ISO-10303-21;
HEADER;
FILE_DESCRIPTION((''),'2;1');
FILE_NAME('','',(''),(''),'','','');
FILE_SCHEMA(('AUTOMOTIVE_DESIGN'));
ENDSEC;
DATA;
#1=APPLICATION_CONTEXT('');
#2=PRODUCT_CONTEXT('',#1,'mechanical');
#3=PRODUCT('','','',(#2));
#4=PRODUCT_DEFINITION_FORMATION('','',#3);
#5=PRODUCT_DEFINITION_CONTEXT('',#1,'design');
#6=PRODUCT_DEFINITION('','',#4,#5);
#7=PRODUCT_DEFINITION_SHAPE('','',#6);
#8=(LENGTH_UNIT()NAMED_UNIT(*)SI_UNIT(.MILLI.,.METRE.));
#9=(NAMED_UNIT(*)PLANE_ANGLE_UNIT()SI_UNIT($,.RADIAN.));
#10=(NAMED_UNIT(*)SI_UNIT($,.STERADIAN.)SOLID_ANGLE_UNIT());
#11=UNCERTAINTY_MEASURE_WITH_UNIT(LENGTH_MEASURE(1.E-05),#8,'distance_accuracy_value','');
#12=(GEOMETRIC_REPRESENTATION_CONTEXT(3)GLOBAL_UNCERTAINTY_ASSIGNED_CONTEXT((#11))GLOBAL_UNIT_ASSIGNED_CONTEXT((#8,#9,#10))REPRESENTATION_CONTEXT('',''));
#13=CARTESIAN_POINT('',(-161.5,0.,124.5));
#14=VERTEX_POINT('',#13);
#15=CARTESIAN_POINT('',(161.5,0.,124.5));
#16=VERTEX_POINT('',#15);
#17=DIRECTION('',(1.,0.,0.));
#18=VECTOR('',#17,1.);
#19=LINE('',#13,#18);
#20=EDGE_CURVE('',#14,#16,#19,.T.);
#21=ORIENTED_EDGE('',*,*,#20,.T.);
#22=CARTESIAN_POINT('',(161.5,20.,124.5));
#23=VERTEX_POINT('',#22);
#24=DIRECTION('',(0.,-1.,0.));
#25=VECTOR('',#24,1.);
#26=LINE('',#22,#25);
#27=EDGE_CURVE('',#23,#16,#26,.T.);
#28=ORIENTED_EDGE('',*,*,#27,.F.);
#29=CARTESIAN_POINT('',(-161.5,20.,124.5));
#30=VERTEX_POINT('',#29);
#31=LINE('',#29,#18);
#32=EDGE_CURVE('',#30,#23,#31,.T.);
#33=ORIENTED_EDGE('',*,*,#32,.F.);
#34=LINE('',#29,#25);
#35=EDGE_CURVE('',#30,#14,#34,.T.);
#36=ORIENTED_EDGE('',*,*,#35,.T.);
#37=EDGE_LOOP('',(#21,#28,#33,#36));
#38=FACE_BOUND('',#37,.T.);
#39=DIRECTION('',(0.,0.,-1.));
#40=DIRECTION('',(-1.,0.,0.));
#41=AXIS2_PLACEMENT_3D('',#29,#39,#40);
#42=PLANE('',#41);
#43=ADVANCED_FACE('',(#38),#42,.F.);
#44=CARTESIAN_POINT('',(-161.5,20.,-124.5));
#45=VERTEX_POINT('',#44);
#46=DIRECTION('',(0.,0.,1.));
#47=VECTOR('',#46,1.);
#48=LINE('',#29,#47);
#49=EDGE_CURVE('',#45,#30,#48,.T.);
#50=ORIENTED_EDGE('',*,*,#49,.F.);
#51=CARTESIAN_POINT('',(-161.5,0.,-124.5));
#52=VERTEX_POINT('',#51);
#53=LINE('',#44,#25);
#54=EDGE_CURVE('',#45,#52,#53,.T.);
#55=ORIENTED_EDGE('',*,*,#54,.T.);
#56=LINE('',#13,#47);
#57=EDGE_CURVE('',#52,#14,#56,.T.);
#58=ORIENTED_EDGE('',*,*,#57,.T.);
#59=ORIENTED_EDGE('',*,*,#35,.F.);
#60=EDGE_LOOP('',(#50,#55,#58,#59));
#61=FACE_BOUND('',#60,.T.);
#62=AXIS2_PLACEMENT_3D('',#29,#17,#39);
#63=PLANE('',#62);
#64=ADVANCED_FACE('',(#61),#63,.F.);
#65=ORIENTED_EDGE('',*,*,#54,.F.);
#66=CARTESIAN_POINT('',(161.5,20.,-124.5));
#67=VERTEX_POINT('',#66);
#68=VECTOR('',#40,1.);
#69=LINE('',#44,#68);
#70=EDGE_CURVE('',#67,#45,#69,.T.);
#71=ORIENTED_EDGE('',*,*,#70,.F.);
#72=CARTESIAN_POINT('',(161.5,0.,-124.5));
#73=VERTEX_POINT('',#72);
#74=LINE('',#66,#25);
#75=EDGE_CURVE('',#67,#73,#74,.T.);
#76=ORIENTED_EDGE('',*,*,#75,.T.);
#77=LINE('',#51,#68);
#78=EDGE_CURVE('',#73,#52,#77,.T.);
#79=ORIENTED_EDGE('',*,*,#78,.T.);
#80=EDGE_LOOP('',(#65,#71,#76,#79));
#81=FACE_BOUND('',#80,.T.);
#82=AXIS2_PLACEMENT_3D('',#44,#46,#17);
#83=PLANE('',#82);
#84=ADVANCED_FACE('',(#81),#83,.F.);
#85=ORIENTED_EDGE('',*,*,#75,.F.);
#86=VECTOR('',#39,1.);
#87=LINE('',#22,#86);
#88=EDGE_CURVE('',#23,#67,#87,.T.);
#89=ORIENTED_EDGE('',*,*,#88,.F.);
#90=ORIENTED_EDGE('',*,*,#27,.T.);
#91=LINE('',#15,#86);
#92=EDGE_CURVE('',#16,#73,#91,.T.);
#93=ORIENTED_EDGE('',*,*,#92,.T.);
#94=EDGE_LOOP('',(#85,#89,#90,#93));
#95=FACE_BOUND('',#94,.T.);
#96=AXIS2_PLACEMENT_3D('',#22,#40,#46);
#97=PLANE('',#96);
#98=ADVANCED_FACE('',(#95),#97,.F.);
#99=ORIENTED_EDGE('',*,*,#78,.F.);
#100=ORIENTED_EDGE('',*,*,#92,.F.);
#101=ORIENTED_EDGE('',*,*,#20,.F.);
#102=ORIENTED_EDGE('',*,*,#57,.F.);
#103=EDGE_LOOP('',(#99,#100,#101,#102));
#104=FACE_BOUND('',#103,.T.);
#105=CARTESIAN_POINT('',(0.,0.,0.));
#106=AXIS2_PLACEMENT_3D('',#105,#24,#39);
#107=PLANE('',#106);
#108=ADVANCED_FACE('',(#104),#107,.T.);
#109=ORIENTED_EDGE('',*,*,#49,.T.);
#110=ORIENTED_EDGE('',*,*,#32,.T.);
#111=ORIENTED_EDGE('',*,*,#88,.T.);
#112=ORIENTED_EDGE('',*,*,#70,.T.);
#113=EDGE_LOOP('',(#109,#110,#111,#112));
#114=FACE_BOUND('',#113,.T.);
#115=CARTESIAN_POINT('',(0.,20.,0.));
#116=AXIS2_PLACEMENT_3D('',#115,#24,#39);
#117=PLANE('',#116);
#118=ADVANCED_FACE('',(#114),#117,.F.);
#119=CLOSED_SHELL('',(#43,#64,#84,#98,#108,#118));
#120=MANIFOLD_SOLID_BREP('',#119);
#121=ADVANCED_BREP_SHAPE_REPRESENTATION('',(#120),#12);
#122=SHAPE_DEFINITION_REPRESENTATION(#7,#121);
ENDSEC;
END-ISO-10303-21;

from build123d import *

# Parameters (mm, degrees)
SZKIC1_W                    = 323
SZKIC1_H                    = 249
DODANIE_WYCI_GNI_CIE1_DEPTH = 20


with BuildPart() as part:
    # Szkic1 → Dodanie-wyciągnięcie1 (new body)
    with BuildSketch(Plane(origin=(0, 0, 0), x_dir=(1, 0, 0), z_dir=(0, 1, 0))):
        Rectangle(SZKIC1_W, SZKIC1_H)
    extrude(amount=DODANIE_WYCI_GNI_CIE1_DEPTH)


solid = part.part
